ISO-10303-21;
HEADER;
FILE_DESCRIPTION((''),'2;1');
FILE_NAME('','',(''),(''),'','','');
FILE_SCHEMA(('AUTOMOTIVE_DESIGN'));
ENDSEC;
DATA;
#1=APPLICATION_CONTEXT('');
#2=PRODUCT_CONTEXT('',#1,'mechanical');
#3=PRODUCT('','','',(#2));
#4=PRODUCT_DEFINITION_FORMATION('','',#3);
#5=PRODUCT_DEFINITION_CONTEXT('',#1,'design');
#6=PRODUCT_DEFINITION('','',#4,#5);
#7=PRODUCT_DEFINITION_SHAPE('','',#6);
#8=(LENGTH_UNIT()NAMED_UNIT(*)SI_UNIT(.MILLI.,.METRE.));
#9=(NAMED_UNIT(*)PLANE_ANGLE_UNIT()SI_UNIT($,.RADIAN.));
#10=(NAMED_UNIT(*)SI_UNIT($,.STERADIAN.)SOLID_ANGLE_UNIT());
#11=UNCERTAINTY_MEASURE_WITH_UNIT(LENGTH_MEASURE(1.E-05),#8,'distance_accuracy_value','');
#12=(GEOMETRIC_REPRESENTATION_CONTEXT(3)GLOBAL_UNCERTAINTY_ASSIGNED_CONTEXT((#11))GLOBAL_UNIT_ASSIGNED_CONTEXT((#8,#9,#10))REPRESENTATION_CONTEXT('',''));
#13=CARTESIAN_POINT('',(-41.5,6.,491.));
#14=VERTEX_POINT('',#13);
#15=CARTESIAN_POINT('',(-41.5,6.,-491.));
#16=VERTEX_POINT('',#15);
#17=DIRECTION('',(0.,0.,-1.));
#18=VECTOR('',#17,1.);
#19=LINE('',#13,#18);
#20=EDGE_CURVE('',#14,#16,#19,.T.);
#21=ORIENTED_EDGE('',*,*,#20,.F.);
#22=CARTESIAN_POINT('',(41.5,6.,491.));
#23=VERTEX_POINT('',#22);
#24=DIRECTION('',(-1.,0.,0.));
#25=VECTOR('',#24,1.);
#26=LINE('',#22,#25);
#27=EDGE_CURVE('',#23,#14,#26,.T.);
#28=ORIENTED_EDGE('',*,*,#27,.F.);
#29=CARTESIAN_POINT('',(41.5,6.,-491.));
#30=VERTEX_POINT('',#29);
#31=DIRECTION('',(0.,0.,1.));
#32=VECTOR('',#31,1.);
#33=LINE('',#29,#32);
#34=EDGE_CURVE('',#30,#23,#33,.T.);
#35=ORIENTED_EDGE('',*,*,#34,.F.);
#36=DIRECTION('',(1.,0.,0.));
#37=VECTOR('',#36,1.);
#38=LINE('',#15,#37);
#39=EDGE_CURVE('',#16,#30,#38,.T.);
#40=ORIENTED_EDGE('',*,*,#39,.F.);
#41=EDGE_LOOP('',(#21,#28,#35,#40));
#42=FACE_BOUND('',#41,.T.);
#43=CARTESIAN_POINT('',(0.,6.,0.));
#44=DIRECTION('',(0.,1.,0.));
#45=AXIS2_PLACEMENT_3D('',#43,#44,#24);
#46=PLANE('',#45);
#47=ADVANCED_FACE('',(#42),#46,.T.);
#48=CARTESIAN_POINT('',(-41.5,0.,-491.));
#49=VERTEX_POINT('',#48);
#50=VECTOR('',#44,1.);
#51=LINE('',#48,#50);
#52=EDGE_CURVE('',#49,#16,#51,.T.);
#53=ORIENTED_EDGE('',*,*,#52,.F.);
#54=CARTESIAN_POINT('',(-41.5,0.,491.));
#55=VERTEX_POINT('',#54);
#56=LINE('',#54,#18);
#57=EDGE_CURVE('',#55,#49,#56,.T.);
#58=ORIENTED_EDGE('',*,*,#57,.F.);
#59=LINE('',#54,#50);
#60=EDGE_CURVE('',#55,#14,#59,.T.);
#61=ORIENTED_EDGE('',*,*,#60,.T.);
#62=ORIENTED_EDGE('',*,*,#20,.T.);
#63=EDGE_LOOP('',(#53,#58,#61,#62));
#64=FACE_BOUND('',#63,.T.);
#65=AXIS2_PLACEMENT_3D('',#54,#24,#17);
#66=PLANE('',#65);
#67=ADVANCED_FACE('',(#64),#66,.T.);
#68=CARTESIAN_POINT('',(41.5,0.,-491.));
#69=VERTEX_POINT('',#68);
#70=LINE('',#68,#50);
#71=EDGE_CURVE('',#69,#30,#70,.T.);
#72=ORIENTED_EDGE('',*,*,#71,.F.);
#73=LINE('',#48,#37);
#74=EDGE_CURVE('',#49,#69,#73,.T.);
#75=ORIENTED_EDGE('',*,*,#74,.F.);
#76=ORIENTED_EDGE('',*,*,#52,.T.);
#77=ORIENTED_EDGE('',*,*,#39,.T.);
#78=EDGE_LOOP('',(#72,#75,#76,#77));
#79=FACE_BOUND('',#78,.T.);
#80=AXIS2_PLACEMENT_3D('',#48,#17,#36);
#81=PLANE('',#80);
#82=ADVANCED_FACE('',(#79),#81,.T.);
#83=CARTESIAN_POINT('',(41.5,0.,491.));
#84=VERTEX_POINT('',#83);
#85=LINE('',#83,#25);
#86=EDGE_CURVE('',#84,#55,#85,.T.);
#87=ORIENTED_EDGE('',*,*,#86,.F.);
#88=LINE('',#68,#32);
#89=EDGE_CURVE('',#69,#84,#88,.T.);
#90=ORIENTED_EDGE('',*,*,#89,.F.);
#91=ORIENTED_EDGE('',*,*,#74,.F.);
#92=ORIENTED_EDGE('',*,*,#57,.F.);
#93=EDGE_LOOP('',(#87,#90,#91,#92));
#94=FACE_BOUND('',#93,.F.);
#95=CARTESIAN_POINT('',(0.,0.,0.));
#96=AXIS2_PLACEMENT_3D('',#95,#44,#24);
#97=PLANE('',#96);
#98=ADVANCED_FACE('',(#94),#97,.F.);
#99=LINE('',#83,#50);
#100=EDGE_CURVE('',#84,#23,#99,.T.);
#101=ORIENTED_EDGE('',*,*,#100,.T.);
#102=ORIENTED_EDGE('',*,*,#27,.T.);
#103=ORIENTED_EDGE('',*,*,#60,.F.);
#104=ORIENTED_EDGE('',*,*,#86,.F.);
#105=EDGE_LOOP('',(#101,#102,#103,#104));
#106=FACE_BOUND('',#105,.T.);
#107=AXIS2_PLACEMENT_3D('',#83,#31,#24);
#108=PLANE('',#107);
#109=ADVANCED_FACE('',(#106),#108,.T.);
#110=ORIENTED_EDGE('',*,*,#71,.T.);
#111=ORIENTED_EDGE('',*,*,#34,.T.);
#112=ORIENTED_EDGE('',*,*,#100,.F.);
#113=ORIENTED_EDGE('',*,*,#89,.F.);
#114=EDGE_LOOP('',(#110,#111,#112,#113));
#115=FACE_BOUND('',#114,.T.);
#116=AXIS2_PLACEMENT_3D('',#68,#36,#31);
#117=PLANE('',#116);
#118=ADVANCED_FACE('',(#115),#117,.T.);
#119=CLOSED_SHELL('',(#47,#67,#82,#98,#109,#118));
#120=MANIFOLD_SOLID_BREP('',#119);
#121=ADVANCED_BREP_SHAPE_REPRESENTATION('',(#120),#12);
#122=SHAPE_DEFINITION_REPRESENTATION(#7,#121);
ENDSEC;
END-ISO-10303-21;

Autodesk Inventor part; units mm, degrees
ref_plane "YZ Plane" through (0, 0, 0) normal (1, 0, 0) x (0, 1, 0)
ref_plane "XZ Plane" through (0, 0, 0) normal (0, 1, 0) x (-1, 0, 0)
ref_plane "XY Plane" through (0, 0, 0) normal (0, 0, 1) x (1, 0, 0)
sketch "Sketch1" plane through (0, 0, 0) normal (0, 1, 0) x (-1, 0, 0)
  line L0 (-41.5, 491) -> (41.5, 491)
  line L1 (41.5, 491) -> (41.5, -491)
  line L2 (41.5, -491) -> (-41.5, -491)
  line L3 (-41.5, -491) -> (-41.5, 491)
  line L4 (-41.5, 491) -> (41.5, -491) construction
  line L5 (41.5, 491) -> (-41.5, -491) construction
  point P0 (0, 0)
  dimension "d0" = 83
  dimension "d1" = 982
extrude "Extrusion1" add sketch "Sketch1" along normal blind 6
properties part number "Voor-Achterkant" material "Wood (Cherry)"
